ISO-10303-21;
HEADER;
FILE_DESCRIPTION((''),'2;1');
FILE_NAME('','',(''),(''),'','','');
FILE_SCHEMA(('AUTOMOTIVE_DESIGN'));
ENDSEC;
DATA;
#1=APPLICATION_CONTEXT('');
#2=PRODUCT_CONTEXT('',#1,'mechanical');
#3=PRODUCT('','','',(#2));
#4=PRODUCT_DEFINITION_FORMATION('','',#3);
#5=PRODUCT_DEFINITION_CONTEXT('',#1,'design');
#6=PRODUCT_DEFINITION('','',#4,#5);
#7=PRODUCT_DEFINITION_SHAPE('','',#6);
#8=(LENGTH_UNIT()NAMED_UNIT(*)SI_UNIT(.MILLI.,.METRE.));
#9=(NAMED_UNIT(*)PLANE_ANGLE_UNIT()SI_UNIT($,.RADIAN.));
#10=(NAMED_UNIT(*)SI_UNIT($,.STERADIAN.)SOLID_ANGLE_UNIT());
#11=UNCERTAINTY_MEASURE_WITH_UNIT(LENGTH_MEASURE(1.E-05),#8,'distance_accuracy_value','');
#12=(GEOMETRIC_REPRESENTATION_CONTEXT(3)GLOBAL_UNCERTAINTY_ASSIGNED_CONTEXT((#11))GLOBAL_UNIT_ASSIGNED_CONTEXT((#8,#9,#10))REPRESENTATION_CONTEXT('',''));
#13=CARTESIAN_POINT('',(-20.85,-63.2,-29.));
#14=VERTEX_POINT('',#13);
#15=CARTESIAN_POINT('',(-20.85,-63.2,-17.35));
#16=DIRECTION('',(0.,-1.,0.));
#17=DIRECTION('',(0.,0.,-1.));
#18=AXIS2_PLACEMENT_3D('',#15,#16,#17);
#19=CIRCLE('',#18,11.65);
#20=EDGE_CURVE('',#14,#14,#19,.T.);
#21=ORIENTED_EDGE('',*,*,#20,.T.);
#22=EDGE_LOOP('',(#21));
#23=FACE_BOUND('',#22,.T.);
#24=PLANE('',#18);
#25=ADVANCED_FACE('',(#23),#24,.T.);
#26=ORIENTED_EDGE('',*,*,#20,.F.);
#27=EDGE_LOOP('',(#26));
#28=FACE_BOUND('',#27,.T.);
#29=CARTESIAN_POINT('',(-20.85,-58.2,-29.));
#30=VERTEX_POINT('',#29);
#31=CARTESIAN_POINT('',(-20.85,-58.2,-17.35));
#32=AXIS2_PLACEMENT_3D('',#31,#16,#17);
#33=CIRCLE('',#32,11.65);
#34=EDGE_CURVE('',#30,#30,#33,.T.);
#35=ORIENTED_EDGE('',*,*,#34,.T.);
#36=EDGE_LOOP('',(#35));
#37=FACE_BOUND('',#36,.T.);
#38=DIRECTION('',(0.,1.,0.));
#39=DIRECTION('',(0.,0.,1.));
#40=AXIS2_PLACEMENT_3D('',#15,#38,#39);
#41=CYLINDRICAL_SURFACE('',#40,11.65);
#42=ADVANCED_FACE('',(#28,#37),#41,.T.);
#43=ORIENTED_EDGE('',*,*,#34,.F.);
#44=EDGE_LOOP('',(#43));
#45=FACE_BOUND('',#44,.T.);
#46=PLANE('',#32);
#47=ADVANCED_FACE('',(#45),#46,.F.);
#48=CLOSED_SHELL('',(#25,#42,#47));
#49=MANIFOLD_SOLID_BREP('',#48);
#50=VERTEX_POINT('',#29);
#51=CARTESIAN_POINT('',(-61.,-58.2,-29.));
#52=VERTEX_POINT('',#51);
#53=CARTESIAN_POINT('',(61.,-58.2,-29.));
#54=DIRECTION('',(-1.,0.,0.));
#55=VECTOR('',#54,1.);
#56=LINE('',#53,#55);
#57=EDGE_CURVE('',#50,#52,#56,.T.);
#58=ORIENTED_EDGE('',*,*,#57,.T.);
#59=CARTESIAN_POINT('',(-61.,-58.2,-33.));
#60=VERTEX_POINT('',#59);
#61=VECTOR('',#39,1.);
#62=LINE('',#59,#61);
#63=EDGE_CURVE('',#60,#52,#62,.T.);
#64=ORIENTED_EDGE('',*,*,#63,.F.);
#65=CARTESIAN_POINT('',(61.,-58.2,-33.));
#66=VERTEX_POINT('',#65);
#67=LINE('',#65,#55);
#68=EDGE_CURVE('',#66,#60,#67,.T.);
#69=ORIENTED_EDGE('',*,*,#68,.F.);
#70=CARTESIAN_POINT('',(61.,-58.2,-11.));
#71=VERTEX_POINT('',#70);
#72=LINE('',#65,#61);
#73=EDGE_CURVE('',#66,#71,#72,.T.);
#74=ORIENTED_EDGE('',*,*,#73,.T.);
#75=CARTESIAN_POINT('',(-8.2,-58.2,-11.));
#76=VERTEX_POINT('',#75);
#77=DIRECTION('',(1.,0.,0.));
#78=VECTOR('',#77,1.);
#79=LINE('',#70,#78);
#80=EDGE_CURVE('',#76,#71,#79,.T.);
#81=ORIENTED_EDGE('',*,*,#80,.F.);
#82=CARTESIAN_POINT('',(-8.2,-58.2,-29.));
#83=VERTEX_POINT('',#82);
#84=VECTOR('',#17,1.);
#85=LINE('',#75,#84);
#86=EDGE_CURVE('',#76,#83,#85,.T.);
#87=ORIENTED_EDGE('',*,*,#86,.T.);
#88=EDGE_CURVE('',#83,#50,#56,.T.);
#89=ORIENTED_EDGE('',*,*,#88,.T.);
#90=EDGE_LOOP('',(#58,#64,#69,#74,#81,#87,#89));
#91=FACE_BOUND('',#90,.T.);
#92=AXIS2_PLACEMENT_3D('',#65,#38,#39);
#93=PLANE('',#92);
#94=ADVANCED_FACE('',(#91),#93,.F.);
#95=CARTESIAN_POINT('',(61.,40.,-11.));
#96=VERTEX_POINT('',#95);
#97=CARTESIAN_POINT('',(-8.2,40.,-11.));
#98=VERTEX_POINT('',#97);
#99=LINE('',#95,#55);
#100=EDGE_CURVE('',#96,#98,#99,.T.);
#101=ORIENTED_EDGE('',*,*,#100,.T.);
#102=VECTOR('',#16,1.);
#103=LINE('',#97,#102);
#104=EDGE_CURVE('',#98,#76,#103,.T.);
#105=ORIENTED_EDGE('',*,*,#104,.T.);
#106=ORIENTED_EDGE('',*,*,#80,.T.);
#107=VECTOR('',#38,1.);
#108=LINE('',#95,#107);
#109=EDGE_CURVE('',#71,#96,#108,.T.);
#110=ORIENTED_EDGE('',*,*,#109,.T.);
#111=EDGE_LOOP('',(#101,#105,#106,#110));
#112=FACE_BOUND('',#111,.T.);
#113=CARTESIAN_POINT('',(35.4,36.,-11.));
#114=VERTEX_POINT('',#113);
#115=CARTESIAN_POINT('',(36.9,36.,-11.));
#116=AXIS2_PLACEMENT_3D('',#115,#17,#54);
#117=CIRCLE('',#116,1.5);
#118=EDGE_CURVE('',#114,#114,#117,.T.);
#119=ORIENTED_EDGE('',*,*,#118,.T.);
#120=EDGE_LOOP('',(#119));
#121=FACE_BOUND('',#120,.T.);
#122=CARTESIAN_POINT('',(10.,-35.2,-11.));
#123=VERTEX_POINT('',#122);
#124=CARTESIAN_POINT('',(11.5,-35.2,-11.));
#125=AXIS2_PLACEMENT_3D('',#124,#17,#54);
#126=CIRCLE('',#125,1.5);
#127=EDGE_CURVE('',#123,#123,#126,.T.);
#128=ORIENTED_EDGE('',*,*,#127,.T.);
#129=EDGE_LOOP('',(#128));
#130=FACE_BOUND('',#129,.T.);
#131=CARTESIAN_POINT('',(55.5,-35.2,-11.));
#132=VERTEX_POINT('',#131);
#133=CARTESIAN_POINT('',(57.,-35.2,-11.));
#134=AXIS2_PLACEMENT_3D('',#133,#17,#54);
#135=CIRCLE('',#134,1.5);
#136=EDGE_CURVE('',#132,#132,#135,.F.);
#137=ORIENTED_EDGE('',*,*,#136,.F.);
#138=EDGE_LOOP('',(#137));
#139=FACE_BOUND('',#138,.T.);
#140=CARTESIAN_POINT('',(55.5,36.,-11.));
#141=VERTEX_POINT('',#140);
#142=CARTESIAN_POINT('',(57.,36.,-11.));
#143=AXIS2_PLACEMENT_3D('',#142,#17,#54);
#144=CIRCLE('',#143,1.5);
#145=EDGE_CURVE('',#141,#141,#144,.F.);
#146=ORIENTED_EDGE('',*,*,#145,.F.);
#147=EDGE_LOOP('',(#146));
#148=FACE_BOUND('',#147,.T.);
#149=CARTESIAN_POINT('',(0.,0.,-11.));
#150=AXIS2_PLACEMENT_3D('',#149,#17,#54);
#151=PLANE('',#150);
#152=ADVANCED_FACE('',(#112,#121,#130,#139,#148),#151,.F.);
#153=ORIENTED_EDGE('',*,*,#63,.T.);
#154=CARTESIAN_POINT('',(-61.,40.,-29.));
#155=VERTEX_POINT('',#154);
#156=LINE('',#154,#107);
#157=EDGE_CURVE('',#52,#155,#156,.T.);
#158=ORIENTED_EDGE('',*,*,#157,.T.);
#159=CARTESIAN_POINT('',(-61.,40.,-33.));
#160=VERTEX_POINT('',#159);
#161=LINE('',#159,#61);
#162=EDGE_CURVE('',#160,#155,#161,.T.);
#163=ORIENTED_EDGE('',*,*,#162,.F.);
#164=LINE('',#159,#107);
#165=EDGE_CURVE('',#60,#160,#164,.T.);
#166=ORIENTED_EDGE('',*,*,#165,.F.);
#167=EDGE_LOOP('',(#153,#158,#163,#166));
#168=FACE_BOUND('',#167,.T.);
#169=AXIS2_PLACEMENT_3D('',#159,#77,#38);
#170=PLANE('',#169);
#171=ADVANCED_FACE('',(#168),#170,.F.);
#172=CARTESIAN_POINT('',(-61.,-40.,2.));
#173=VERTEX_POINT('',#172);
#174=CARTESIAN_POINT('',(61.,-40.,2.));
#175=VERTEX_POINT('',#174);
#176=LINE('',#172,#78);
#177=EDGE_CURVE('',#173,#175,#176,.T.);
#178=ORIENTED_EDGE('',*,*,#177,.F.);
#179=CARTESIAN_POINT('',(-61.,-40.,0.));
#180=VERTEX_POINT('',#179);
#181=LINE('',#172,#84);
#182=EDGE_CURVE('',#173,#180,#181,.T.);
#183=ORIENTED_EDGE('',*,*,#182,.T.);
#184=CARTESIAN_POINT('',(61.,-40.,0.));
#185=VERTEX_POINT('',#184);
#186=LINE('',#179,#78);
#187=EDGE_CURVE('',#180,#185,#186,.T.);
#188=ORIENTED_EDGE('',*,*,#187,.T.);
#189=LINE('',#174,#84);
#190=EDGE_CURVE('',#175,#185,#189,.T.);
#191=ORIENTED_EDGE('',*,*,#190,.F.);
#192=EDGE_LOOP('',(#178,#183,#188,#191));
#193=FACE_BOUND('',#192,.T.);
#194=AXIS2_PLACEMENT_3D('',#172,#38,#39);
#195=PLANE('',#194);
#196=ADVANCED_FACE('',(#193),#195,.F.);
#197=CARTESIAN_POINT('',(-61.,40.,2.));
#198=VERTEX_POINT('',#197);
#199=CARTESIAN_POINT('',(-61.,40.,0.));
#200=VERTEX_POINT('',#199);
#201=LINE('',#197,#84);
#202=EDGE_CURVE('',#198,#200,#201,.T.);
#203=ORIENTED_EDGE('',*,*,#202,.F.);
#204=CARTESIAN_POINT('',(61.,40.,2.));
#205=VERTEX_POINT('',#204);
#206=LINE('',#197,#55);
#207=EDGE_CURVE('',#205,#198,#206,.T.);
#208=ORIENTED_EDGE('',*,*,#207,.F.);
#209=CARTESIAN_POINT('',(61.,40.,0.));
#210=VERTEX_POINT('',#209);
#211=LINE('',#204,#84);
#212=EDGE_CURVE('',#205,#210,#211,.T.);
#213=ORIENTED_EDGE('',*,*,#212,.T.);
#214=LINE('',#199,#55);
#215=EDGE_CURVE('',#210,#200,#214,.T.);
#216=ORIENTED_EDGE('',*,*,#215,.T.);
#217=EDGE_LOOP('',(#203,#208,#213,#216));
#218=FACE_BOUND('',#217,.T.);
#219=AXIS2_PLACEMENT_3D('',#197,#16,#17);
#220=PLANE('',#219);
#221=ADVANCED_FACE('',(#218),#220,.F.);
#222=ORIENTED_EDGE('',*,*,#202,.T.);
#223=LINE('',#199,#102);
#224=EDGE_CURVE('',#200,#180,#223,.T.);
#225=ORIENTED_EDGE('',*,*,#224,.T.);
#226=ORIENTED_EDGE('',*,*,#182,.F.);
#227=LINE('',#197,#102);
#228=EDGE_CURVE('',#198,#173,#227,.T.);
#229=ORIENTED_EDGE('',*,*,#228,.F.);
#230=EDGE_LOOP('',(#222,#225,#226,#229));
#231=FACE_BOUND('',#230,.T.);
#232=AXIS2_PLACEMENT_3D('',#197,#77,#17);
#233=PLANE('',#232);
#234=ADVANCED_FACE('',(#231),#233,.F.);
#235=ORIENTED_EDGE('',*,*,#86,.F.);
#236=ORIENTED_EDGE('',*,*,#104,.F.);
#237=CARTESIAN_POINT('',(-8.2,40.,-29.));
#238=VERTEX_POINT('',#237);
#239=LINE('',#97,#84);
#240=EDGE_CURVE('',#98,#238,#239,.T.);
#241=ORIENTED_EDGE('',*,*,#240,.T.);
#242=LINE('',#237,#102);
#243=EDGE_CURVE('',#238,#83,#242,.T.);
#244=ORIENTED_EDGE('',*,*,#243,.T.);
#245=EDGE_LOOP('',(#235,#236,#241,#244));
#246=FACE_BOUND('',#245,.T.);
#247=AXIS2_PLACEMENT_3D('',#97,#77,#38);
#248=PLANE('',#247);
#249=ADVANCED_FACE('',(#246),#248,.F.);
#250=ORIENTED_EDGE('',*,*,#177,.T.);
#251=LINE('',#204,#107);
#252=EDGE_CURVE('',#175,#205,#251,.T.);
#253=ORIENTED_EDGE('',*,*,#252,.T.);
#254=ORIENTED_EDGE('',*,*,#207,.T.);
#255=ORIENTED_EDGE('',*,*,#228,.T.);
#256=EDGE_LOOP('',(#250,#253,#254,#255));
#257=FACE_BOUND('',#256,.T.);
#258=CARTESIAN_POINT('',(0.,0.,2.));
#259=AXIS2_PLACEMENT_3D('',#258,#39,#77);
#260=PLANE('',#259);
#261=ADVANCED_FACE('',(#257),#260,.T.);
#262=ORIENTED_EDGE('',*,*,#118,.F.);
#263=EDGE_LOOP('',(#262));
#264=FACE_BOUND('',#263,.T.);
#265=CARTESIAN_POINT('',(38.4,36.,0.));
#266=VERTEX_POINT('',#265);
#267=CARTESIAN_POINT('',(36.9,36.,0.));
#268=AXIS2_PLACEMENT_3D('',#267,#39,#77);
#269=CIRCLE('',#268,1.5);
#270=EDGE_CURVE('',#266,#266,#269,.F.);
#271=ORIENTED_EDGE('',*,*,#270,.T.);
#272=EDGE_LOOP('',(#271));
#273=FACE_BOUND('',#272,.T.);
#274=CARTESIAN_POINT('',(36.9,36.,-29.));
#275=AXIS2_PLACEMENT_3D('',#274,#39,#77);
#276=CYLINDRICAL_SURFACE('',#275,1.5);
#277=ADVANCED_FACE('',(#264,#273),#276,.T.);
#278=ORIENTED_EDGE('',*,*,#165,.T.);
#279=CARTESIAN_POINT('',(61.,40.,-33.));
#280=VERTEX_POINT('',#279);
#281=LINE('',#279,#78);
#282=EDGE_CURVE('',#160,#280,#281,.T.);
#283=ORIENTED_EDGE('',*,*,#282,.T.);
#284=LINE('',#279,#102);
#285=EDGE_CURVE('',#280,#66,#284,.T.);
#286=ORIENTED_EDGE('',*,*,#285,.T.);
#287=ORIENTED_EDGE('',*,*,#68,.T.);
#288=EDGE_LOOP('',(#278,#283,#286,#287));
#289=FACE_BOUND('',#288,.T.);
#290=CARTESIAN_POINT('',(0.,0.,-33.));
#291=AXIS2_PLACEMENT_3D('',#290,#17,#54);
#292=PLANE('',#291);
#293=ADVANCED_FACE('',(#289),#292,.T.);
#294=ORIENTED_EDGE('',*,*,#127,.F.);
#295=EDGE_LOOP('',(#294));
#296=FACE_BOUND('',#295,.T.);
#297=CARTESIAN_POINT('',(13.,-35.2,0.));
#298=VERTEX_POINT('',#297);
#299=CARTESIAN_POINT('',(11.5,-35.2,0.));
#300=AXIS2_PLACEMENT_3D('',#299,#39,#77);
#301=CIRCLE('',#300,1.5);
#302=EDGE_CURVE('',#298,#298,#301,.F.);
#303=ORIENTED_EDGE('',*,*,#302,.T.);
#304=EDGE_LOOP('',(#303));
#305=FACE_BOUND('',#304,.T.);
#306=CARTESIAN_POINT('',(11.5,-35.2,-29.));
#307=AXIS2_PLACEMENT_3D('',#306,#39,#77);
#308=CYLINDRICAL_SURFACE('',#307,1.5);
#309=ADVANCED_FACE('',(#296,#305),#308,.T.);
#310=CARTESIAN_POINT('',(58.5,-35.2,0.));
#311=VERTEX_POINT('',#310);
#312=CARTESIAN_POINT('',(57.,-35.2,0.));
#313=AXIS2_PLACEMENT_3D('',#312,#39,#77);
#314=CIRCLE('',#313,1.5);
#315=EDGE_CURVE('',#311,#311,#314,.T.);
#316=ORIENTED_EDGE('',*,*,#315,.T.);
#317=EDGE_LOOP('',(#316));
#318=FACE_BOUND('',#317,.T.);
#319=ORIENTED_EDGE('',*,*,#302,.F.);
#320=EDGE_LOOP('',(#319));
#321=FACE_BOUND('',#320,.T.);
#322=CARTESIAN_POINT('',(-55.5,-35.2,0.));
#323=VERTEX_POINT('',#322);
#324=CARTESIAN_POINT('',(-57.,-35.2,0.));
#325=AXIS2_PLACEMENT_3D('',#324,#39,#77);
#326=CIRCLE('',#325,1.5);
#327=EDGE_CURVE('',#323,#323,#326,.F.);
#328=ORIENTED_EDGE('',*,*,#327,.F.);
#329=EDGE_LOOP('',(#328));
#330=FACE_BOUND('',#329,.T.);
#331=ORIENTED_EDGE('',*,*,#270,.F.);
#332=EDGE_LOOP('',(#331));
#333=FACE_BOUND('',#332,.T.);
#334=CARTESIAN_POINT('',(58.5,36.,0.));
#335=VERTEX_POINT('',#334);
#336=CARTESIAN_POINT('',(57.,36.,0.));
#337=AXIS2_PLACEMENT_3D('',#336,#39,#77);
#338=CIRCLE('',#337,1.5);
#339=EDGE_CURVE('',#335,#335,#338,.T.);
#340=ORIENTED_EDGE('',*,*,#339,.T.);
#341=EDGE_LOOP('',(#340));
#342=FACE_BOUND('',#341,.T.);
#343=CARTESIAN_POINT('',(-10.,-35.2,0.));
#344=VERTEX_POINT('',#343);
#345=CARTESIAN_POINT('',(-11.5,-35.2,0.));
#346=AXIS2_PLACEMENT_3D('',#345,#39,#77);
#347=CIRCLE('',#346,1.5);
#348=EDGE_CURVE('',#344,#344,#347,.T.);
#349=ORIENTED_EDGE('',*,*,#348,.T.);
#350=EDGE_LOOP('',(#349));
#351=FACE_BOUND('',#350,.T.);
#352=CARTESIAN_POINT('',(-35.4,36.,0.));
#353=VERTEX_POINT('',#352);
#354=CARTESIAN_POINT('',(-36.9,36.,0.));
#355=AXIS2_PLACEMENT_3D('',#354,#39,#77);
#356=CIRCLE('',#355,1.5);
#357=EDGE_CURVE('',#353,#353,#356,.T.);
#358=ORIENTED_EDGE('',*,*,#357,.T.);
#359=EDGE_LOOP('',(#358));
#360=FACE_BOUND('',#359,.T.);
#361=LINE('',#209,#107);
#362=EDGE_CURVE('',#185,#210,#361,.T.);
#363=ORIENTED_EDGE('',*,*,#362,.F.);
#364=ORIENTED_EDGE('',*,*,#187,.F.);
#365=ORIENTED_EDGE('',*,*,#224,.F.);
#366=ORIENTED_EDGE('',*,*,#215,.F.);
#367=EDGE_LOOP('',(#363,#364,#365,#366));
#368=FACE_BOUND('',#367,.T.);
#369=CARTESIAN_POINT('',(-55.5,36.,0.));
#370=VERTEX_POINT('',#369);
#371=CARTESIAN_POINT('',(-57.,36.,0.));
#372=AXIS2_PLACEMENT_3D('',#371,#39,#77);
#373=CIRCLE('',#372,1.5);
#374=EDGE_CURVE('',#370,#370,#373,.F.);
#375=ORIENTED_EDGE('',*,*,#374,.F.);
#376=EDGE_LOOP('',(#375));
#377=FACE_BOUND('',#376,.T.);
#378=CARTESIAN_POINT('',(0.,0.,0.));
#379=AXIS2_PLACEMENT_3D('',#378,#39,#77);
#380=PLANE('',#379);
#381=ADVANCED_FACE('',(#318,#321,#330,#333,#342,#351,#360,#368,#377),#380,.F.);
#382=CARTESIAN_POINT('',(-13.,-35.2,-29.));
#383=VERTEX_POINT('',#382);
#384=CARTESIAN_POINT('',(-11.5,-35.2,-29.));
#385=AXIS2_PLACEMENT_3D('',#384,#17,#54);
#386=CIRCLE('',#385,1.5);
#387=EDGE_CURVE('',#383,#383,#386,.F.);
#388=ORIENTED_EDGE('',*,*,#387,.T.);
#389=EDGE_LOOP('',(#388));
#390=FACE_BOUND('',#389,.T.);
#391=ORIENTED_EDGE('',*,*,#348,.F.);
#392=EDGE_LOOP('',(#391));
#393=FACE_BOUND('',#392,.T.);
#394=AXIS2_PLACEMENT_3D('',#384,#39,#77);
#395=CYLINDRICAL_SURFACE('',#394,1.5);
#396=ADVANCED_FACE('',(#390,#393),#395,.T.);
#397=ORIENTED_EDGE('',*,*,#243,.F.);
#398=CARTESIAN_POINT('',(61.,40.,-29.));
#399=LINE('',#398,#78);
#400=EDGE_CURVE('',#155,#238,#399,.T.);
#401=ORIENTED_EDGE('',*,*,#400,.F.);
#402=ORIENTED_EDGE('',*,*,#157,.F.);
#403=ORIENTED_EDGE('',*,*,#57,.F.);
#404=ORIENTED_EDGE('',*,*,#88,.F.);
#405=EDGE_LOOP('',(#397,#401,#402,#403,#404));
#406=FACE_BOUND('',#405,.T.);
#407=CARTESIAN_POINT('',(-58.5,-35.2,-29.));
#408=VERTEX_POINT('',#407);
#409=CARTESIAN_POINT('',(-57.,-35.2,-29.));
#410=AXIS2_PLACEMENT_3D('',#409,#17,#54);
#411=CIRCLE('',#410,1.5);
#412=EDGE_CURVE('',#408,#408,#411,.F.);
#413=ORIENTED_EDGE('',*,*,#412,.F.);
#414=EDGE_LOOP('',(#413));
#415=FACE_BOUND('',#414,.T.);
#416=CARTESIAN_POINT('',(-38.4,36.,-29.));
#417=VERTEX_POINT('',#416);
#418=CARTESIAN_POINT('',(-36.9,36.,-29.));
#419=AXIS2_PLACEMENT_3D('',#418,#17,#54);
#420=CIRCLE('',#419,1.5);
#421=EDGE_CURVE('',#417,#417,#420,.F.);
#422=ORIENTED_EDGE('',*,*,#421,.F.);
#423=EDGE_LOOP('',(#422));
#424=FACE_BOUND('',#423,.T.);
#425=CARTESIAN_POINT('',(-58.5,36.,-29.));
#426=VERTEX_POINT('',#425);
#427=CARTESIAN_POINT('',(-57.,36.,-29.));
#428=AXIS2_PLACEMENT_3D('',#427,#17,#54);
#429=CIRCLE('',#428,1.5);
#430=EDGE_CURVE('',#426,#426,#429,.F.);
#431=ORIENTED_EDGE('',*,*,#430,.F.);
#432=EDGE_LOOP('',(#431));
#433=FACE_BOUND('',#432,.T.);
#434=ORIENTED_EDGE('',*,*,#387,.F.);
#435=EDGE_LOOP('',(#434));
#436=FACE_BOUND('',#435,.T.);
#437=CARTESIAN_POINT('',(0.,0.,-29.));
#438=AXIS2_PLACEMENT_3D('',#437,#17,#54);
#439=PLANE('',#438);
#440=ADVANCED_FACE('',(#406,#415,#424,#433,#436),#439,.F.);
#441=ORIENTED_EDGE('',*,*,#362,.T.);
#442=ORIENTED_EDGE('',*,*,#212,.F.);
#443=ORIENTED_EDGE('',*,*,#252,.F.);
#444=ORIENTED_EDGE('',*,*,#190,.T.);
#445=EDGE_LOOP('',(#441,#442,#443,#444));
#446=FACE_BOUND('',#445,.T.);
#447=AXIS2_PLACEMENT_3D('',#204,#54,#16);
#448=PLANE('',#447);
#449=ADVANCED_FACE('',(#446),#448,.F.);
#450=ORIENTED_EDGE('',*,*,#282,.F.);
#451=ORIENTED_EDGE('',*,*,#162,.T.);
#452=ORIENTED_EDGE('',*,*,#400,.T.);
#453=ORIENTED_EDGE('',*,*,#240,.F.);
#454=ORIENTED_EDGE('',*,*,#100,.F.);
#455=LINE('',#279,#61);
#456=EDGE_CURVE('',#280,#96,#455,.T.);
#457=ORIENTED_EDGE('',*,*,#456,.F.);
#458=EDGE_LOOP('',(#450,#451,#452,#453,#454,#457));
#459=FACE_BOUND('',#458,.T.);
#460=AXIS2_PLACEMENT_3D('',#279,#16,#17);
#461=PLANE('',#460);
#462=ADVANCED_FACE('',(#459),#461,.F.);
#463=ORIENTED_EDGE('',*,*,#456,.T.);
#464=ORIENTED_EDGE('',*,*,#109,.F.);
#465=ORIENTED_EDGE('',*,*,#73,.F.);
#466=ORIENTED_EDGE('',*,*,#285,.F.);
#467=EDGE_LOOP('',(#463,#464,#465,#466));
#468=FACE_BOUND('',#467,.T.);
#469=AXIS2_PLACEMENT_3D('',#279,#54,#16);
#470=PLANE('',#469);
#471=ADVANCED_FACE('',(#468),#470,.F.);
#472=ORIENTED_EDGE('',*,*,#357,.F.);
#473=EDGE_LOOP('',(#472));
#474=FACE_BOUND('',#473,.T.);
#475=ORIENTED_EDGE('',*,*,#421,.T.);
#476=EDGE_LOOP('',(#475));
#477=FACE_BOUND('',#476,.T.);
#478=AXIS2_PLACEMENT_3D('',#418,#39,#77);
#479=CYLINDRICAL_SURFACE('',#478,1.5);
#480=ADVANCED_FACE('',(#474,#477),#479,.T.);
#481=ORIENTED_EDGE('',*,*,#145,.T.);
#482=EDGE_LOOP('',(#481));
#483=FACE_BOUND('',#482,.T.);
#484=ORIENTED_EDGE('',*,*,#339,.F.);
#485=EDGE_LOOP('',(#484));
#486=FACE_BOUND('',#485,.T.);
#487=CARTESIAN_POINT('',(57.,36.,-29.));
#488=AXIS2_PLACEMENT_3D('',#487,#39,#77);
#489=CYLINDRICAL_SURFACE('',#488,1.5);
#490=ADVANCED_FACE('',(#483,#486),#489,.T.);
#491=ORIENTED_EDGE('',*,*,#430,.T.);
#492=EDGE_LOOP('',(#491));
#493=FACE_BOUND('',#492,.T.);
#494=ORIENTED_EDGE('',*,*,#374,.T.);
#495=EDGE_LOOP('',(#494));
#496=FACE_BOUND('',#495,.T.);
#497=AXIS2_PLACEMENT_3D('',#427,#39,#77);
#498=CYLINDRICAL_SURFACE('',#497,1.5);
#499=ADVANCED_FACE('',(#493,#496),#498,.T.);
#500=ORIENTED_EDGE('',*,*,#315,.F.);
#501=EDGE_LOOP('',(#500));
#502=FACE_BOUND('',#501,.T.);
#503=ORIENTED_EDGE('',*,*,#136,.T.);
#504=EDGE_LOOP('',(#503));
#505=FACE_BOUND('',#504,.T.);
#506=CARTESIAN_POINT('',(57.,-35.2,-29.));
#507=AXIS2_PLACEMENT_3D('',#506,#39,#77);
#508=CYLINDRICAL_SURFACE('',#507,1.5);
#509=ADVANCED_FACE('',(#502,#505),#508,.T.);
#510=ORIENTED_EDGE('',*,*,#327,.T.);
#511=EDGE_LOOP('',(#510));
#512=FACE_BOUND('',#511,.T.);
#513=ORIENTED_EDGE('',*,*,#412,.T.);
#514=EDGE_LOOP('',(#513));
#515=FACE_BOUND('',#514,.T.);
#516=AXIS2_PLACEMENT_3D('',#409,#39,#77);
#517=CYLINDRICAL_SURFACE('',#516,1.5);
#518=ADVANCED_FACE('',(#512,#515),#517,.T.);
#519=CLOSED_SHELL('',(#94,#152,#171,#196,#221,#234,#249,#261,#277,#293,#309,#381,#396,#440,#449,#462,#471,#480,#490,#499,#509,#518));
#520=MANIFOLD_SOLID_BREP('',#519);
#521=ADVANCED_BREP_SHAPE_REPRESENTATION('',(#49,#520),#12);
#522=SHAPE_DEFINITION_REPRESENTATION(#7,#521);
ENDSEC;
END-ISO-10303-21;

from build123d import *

# Parameters (mm, degrees)
SKETCH_1_W      = 122
SKETCH_1_H      = 80
EXTRUDE_1_DEPTH = 2
SKETCH_2_R      = 1.5
EXTRUDE_3_DEPTH = 31
SKETCH_5_W      = 122
SKETCH_5_H      = 98.2
EXTRUDE_5_DEPTH = 4
SKETCH_6_W      = 69.2
SKETCH_6_H      = 98.2
EXTRUDE_6_DEPTH = 18
SKETCH_7_R      = 11.65
EXTRUDE_9_DEPTH = 5


with BuildPart() as part:
    # 草图1 → 凸台-拉伸1 (new body)
    with BuildSketch(Plane.XY):
        Rectangle(SKETCH_1_W, SKETCH_1_H)
    extrude(amount=EXTRUDE_1_DEPTH)

    # 草图2 → 凸台-拉伸3 (add)
    with BuildSketch(Plane.XY.offset(2)):
        with Locations((-36.9, 36)):
            Circle(SKETCH_2_R)
        with Locations((57, 36)):
            Circle(SKETCH_2_R)
        with Locations((-11.5, -35.2)):
            Circle(SKETCH_2_R)
        with Locations((57, -35.2)):
            Circle(SKETCH_2_R)
    extrude_3 = extrude(amount=-EXTRUDE_3_DEPTH)

    # 草图5 → 凸台-拉伸5 (add)
    with BuildSketch(Plane(origin=(0, 0, -29), x_dir=(-1, 0, 0), z_dir=(0, 0, -1))):
        with Locations((0, -9.1)):
            Rectangle(SKETCH_5_W, SKETCH_5_H)
    extrude(amount=EXTRUDE_5_DEPTH)

    # 镜向2: 凸台-拉伸3 across plane
    add(extrude_3.mirror(Plane(origin=(0, 0, 0), x_dir=(0, 0, 1), z_dir=(1, 0, 0))))

    # 草图6 → 凸台-拉伸6 (add)
    with BuildSketch(Plane.XY.offset(-29)):
        with Locations((26.4, -9.1)):
            Rectangle(SKETCH_6_W, SKETCH_6_H)
    extrude(amount=EXTRUDE_6_DEPTH)


with BuildPart() as body_2:
    # 草图7 → 凸台-拉伸9 (new body)
    with BuildSketch(Plane.XZ.offset(58.2)):
        with Locations((-20.85, -17.35)):
            Circle(SKETCH_7_R)
    extrude(amount=EXTRUDE_9_DEPTH)


solid = Compound([part.part, body_2.part])
